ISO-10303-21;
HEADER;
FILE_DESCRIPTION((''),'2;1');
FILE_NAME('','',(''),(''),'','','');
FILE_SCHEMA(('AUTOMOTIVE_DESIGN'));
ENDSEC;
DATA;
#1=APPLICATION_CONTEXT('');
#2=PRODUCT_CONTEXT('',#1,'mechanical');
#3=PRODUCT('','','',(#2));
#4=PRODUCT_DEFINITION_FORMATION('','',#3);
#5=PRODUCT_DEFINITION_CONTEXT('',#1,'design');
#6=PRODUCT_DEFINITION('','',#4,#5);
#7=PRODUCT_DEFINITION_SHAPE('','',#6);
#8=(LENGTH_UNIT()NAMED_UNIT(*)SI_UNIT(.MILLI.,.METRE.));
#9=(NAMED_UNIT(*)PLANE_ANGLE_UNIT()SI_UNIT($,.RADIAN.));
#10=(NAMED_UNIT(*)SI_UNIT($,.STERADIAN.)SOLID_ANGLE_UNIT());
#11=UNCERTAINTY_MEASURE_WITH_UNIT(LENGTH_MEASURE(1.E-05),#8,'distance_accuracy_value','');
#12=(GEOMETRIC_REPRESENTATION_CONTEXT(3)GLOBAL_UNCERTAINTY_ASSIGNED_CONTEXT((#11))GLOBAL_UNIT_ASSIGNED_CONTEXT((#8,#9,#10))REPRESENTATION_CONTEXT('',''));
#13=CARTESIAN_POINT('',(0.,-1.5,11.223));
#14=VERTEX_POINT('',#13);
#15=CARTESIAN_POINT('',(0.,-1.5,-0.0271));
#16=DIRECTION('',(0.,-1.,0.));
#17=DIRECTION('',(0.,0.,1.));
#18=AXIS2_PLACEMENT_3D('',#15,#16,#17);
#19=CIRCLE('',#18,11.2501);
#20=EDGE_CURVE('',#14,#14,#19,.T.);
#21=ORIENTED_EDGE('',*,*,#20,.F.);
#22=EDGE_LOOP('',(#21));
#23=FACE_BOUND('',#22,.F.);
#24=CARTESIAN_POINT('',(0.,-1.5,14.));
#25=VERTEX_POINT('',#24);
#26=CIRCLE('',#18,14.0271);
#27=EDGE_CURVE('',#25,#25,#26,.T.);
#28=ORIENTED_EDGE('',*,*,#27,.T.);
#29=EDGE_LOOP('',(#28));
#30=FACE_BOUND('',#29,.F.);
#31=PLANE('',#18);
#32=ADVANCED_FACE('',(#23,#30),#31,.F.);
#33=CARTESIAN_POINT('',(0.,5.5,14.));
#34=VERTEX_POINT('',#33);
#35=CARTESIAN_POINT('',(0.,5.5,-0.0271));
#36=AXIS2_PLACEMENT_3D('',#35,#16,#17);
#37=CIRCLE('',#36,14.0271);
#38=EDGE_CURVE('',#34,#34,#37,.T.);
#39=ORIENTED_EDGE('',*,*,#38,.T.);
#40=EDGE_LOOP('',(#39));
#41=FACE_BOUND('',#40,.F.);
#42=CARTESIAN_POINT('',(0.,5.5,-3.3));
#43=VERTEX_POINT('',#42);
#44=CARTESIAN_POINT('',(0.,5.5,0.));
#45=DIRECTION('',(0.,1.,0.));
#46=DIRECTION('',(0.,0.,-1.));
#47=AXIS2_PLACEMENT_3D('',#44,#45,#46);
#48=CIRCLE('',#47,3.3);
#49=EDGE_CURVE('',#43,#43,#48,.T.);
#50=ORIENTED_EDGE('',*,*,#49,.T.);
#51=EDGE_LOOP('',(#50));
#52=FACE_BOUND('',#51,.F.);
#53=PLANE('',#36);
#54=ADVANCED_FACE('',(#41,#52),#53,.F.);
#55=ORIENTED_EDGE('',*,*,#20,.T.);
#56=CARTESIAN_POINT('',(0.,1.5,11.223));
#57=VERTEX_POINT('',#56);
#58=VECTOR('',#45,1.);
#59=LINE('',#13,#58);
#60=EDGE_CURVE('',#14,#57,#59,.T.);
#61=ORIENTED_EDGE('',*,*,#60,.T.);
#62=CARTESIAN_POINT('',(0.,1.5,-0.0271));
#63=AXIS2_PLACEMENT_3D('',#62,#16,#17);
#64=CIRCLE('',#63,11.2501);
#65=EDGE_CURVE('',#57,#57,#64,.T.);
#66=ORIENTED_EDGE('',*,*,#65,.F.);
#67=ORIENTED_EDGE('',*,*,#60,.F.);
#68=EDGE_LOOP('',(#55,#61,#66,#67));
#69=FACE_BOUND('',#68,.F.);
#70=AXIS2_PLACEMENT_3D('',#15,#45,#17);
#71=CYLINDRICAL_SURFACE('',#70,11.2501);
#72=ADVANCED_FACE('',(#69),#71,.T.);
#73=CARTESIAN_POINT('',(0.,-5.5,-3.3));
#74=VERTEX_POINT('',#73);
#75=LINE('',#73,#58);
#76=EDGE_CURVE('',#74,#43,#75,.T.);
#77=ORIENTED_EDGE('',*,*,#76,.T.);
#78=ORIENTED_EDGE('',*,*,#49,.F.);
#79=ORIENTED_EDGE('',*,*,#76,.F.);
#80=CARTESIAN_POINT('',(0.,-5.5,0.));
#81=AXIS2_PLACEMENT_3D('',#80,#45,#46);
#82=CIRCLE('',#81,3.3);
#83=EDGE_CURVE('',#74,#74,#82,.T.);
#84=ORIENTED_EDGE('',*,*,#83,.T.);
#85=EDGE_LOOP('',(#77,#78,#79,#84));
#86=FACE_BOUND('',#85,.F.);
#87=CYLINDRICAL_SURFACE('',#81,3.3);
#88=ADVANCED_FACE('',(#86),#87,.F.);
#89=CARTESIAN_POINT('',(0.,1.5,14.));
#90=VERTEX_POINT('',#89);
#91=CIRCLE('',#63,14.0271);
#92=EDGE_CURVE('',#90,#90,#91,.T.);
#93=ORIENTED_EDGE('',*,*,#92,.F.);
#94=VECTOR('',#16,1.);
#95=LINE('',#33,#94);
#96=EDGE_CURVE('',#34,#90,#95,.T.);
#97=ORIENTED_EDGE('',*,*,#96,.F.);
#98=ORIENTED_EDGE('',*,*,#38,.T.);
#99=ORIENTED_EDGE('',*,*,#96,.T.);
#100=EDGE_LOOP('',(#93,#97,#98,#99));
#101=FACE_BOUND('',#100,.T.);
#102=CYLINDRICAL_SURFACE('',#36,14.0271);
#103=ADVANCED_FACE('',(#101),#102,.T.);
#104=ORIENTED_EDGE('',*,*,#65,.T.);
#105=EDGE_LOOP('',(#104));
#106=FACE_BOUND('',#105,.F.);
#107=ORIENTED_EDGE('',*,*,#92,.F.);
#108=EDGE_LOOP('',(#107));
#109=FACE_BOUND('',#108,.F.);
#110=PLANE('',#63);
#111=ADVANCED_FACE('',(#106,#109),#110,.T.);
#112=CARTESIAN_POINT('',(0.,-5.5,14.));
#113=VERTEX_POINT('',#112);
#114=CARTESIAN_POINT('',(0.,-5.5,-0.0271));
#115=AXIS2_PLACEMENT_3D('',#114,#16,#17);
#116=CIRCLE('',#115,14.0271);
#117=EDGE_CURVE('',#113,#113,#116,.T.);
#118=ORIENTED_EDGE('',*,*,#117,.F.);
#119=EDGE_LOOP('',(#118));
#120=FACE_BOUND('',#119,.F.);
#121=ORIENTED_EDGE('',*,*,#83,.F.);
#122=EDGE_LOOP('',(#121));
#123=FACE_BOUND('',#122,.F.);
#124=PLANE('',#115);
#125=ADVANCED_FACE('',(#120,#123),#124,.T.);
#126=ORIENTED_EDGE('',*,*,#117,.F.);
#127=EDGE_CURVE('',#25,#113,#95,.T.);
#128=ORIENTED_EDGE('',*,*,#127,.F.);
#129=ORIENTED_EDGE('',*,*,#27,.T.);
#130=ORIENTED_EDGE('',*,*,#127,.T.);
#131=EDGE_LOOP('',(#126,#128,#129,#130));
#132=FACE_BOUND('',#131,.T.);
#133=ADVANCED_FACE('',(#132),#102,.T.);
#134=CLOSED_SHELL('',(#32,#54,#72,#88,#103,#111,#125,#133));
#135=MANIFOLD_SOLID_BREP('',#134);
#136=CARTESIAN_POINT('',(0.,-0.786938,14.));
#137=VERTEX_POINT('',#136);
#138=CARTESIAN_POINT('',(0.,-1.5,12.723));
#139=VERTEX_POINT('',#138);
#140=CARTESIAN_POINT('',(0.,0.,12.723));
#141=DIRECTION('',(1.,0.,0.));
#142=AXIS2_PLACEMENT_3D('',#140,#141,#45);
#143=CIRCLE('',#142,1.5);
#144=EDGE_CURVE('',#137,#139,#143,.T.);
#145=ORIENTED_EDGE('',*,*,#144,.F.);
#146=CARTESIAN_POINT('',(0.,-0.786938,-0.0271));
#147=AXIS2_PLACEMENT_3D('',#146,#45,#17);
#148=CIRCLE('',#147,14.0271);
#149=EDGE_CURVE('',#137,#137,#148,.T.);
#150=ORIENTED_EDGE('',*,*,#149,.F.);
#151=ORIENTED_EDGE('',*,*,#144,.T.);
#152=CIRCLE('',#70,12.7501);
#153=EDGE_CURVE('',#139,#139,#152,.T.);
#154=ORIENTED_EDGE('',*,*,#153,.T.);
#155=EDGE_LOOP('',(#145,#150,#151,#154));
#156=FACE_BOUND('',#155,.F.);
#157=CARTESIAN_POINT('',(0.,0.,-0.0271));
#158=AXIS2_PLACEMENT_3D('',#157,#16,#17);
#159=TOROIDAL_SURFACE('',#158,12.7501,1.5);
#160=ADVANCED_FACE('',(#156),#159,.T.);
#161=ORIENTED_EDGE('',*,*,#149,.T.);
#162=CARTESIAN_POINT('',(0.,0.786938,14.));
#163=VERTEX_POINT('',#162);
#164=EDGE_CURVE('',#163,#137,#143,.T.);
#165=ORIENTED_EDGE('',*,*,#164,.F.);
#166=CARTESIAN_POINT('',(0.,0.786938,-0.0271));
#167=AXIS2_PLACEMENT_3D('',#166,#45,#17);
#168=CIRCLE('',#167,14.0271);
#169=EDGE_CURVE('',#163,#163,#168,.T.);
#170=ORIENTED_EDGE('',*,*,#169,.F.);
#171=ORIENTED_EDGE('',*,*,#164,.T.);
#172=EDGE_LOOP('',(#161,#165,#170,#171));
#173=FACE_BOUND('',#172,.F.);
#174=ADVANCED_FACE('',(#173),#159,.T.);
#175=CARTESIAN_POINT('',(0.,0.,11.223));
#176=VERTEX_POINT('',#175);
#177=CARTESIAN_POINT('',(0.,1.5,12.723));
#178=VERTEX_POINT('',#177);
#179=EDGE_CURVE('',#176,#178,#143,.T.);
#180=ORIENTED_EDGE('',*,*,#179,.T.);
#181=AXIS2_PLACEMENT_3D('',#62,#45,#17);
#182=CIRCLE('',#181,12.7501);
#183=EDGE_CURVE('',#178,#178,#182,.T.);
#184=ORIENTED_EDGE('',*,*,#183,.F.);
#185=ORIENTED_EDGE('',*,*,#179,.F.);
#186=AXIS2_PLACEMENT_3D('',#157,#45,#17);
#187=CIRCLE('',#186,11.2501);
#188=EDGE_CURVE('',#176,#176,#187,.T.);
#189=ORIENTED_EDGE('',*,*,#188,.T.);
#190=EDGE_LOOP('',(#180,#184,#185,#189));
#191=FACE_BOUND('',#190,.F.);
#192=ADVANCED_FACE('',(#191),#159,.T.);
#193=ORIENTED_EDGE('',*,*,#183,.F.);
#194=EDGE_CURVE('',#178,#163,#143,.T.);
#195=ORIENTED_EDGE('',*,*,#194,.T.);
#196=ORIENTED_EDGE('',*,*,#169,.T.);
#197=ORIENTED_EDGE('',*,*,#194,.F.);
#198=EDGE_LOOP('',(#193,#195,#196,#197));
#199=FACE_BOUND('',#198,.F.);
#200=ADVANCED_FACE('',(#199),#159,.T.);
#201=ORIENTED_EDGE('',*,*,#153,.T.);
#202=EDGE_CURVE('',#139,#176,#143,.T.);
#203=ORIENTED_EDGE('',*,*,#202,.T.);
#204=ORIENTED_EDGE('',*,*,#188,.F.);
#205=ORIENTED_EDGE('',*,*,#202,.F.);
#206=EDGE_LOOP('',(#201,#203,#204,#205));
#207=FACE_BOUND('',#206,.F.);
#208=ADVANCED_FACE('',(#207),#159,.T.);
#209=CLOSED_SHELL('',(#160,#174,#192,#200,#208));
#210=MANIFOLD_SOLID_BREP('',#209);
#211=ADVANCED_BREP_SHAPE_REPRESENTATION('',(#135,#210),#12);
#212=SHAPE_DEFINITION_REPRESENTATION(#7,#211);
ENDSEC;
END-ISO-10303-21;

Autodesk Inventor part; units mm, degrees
ref_plane "YZ Plane" through (0, 0, 0) normal (1, 0, 0) x (0, 1, 0)
ref_plane "XZ Plane" through (0, 0, 0) normal (0, 1, 0) x (-1, 0, 0)
ref_plane "XY Plane" through (0, 0, 0) normal (0, 0, 1) x (1, 0, 0)
sketch "Skizze1" plane through (0, 0, 0) normal (1, 0, 0) x (0, 1, 0)
  line L0 (5.5, 14) -> (-5.5, 14)
  line L1 (-5.5, 14) -> (5.5, 14)
  line L2 (5.5, 14) -> (5.5, -0.0271)
  line L3 (5.5, -0.0271) -> (-5.5, -0.0271)
  line L4 (-5.5, -0.0271) -> (-5.5, 14)
  line L5 (0, -0.0271) -> (0, 14.2229)
  line L6 (0, -0.0271) -> (14.25, -0.0271) construction
  line L7 (-1.5, 11.223) -> (1.5, 11.223)
  line L8 (1.5, 11.223) -> (1.5, 14)
  line L9 (1.5, 14) -> (-1.5, 14)
  line L10 (-1.5, 14) -> (-1.5, 11.223)
  point P0 (0, 11.223)
  dimension "d0" = 11
  dimension "d2" = 14.25
  dimension "d3" = 90
  dimension "d4" = 3
  dimension "d5" = 4
  dimension "d6" = 4
revolve "Umdrehung1" add sketch "Skizze1" angle 360 about axis through (0, 5.5, -0.0271) along (0, -1, 0) contours L2 L3 L5 L7 L8 L0 | L3 L4 L0 L10 L7 L5
sketch "Skizze2" plane through (0, 0, 0) normal (1, 0, 0) x (0, 1, 0)
  line L0 (-1.5, 14) -> (-1.5, -14.0543) projected
  line L1 (1.5, 11.223) -> (-1.5, 11.223) projected
  line L2 (-1.5, 14) -> (1.5, 14)
  line L3 (1.5, 14) -> (1.5, 11.223)
  line L4 (1.5, 11.223) -> (-1.5, 11.223)
  line L5 (-1.5, 11.223) -> (-1.5, 14)
  circle A0 centre (0, 11.223) radius 1.5 construction
  circle A1 centre (0, 12.723) radius 1.5
  line L6 (6.3814, -0.0271) -> (7.4882, -0.0271) construction
  point P0 (0, 0)
revolve "Umdrehung2" add sketch "Skizze2" angle 360 about axis through (0, 6.3814, -0.0271) along (0, 1, 0) separate body contours A1 L2 | A1 L2
sketch "Skizze3" plane through (0, -5.5, -0.0271) normal (0, -1, 0) x (1, 0, 0)
  point P0 (0, 0.0271)
hole "Bohrung1" at (0, -5.5, 0) direction (0, 1, 0) diameter 6.6 depth 11 bodies 1 clearance for "Flachkopfsenkschraube ISO 2009/7046" size "M6" standard "ISO"
properties part number "sf_Piston_1"
